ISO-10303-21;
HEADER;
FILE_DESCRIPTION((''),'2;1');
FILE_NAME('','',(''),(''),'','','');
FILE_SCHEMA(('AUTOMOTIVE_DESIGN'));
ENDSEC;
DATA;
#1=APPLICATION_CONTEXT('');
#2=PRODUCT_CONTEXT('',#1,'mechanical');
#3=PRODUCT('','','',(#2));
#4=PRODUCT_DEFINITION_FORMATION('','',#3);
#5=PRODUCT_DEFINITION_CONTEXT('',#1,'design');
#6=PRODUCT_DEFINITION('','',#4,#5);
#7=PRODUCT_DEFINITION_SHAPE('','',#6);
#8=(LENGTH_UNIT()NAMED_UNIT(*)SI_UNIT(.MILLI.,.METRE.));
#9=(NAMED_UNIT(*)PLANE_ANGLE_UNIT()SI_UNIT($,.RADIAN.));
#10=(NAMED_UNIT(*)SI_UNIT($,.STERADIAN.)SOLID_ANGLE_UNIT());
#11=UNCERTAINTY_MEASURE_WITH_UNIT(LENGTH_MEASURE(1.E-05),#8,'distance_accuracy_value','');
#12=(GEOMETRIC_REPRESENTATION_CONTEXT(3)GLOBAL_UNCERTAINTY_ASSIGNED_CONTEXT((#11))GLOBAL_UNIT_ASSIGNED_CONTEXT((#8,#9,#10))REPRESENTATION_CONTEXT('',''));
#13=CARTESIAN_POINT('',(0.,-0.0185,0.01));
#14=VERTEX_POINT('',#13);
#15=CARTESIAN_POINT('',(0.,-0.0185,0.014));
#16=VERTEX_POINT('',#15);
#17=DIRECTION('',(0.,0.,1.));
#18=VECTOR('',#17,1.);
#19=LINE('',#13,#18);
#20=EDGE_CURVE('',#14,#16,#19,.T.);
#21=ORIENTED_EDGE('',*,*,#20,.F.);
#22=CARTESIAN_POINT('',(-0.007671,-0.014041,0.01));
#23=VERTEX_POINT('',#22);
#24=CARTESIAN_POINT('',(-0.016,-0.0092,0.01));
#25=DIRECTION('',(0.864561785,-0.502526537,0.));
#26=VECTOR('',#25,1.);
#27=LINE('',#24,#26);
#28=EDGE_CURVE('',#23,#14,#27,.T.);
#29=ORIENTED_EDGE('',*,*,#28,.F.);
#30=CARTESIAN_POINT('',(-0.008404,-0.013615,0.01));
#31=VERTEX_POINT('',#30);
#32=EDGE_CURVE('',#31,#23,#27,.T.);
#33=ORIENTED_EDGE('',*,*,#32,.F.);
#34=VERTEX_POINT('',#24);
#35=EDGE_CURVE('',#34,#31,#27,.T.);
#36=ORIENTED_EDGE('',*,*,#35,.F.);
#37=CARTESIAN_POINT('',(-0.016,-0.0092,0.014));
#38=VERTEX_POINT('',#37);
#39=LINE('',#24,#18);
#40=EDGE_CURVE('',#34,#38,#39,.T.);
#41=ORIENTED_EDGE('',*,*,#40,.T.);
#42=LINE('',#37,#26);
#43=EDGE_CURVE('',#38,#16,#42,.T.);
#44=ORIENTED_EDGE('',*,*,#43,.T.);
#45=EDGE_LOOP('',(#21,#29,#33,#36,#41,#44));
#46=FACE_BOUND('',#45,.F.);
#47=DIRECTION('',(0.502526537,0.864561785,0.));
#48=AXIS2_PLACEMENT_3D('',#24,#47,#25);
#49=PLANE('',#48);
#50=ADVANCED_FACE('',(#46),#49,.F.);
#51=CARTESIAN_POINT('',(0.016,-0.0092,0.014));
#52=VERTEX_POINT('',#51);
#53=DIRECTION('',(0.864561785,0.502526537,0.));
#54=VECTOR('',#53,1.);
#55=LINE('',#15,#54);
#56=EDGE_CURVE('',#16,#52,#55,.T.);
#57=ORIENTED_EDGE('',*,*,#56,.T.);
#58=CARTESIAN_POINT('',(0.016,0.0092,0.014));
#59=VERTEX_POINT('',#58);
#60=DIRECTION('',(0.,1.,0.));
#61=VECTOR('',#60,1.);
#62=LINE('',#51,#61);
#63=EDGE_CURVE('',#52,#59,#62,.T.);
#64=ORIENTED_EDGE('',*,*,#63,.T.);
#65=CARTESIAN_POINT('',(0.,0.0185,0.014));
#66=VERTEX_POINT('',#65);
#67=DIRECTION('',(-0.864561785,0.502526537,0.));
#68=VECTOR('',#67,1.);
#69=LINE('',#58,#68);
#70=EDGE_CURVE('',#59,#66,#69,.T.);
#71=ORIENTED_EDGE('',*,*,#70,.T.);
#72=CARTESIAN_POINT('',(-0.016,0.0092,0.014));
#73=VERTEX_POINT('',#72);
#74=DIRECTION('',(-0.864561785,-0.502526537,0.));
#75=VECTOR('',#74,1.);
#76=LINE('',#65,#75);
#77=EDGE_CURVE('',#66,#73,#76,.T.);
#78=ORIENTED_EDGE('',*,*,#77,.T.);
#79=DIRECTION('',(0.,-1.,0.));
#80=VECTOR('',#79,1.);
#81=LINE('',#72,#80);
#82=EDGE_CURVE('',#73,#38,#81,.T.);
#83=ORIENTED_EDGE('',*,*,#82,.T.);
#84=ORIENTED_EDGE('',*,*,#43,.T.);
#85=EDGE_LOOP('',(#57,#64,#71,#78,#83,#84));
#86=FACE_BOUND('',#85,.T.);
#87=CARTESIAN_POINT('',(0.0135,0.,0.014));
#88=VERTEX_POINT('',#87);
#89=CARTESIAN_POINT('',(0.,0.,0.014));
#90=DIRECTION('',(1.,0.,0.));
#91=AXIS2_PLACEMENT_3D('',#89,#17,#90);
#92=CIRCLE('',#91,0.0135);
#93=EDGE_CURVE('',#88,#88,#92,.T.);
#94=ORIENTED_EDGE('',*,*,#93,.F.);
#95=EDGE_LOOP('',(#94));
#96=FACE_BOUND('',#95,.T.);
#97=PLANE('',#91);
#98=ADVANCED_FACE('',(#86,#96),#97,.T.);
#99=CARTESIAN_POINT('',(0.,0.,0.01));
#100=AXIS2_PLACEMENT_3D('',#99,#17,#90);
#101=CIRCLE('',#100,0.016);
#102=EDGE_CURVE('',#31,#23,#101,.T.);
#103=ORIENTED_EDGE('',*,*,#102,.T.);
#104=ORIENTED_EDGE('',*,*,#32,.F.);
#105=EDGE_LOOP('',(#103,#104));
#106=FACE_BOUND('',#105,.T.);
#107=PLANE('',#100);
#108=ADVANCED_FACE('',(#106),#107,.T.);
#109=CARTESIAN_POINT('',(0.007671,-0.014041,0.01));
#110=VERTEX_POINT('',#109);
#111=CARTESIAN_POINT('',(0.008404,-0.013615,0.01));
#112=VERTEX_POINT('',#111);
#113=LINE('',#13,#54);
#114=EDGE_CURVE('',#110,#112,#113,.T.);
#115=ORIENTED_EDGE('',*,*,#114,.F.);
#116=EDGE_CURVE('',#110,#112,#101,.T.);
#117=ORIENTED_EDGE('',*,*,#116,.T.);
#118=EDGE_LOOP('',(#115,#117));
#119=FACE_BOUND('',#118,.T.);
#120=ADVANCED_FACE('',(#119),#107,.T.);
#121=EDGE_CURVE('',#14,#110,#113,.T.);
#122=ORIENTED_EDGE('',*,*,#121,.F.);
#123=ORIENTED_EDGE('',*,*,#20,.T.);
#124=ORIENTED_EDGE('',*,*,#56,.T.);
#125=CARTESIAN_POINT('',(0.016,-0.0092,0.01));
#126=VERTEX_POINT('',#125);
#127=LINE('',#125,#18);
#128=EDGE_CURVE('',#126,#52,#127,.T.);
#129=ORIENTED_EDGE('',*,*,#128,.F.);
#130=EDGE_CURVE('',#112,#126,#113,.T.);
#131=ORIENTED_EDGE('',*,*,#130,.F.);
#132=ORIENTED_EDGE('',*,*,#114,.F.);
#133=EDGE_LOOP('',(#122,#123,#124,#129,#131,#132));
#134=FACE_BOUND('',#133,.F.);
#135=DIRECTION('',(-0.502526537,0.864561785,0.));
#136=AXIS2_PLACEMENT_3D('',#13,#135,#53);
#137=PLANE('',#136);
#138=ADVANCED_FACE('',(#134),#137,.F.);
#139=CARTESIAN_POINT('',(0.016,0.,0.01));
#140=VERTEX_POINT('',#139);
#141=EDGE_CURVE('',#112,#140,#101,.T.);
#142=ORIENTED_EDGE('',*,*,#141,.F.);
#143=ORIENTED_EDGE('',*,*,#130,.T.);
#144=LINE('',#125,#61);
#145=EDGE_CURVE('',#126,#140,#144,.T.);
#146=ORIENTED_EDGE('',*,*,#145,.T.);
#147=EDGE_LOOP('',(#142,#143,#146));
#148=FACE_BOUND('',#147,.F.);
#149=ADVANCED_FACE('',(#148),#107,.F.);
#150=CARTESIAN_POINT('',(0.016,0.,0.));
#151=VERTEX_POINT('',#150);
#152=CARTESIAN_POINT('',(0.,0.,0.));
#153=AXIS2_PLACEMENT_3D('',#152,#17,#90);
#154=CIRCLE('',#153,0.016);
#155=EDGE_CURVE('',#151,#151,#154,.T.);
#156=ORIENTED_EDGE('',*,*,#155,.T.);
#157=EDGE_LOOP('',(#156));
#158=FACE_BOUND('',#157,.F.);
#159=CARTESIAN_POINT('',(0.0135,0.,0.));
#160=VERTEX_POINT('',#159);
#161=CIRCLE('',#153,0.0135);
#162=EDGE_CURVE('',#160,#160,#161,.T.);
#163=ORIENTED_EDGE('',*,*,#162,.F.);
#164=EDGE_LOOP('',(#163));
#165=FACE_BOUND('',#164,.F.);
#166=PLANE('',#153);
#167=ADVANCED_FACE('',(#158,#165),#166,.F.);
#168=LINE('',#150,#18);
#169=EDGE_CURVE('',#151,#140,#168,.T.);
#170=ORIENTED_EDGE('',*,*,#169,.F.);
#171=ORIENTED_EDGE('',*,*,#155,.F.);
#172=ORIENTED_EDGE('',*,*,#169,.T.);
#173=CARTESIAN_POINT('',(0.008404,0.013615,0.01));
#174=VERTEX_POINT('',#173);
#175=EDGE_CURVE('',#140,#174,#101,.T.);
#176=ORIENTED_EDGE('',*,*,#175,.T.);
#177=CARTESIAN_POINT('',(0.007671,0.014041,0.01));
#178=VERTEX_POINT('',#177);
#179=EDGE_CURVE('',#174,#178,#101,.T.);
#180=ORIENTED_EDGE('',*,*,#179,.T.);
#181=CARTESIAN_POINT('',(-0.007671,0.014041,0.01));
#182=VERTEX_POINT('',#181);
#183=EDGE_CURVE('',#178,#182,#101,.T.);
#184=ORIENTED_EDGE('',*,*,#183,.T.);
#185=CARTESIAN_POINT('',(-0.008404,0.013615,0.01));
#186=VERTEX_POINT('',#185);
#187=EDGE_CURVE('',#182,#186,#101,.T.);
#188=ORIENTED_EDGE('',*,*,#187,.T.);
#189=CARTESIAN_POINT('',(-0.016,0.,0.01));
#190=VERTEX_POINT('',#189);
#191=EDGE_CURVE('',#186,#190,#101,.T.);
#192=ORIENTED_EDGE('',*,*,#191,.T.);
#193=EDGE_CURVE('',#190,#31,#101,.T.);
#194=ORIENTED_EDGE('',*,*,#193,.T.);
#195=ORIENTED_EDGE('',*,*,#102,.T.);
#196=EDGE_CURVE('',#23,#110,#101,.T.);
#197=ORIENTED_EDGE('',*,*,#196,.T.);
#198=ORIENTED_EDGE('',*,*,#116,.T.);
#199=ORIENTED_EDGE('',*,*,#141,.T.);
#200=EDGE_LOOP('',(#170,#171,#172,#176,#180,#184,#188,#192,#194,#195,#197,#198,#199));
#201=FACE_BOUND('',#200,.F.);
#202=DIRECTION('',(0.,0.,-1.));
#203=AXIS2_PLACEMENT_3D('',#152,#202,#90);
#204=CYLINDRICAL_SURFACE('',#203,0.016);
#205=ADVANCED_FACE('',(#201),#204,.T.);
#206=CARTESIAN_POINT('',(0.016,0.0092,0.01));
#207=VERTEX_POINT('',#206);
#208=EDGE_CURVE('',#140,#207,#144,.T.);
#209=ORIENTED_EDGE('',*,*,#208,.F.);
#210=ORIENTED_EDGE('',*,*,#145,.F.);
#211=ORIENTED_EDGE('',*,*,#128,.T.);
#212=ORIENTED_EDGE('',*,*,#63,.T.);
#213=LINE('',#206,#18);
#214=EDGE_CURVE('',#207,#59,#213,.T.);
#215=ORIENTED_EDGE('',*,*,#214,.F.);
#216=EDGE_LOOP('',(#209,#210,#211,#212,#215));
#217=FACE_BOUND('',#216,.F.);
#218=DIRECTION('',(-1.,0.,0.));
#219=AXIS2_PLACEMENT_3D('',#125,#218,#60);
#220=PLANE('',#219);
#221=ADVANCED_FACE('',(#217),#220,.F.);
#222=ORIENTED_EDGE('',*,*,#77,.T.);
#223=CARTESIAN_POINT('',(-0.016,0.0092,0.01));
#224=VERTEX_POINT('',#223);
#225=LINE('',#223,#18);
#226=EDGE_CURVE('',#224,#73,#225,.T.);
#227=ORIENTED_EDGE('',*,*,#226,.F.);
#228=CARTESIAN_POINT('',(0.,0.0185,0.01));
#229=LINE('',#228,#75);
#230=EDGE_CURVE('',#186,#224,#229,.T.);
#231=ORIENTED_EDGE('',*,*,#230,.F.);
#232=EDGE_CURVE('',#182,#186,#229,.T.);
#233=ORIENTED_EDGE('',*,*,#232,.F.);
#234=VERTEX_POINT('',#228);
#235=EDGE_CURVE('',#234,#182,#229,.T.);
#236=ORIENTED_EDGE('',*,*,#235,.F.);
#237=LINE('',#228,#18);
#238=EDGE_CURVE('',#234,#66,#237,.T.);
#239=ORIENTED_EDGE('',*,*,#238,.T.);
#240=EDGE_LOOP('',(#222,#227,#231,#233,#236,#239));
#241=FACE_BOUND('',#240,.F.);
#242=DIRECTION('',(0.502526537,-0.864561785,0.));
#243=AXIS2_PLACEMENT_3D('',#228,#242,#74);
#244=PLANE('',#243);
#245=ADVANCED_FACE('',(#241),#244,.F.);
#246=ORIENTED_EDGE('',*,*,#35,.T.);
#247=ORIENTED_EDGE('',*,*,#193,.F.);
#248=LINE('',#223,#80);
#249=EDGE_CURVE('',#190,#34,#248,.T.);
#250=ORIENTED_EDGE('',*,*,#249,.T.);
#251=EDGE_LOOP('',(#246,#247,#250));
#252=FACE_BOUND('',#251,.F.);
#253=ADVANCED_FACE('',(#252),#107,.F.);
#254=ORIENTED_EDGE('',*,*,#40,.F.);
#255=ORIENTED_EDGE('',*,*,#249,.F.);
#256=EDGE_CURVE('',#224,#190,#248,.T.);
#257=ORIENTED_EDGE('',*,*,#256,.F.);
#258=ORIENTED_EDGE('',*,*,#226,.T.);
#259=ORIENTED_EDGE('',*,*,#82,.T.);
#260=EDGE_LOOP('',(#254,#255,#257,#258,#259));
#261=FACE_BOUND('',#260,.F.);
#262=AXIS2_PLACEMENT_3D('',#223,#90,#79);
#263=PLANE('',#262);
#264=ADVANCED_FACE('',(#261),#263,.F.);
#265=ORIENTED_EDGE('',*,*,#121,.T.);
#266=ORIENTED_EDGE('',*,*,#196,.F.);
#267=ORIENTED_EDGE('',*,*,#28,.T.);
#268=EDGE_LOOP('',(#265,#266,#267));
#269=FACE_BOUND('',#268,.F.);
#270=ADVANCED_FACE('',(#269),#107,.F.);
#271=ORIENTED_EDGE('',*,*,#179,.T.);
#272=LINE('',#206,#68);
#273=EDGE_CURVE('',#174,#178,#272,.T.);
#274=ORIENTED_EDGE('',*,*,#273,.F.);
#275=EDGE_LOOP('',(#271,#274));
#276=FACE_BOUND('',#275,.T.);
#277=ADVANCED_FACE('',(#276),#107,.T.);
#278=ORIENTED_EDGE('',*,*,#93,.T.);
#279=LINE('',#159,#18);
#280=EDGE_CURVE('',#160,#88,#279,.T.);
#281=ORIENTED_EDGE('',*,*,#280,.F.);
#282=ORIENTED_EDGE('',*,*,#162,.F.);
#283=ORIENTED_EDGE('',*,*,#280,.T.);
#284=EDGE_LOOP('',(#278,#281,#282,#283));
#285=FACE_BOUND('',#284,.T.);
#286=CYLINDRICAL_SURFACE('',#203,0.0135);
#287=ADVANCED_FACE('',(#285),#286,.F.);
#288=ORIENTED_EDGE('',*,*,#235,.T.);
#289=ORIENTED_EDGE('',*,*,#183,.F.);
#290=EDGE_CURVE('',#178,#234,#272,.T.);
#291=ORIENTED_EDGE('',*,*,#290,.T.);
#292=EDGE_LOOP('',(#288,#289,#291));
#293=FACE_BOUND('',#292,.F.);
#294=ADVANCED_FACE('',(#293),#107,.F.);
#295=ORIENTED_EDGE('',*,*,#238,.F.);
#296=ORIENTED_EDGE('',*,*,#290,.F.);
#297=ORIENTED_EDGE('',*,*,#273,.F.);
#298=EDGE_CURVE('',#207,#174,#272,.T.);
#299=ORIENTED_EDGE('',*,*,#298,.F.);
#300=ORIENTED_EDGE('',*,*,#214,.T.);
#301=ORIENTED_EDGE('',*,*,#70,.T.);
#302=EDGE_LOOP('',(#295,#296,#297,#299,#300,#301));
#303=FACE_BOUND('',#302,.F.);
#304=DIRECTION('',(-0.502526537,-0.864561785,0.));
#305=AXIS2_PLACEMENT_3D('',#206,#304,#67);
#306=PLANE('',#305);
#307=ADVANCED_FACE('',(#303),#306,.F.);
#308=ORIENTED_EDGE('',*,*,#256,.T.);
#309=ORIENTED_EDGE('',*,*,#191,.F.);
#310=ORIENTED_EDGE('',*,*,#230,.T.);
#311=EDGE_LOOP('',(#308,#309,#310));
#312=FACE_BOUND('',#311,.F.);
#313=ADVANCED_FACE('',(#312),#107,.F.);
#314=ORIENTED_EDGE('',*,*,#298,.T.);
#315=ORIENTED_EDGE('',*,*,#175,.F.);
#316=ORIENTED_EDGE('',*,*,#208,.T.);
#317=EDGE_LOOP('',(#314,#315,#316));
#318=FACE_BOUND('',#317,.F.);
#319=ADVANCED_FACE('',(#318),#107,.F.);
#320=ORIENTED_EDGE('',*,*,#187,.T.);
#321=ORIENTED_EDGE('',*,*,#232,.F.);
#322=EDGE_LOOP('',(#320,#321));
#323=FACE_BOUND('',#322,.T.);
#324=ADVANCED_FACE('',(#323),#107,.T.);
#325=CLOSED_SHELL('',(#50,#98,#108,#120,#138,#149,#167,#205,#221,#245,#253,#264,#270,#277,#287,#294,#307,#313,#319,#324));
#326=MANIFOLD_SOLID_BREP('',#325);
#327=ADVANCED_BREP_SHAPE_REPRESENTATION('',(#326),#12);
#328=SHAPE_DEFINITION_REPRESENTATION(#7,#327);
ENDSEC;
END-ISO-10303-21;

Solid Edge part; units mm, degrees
sketch "Sketch1" plane through (0, 0, 0) normal (0, 0, 1) x (1, 0, 0)
  circle A0 centre (0, 0) radius 0.0135
  circle A1 centre (0, 0) radius 0.016
extrude "Protrusion1" add sketch "Sketch1" along normal blind 0.01
sketch "Sketch2" plane through (0, 0, 0.01) normal (0, 0, 1) x (1, 0, 0)
  circle A0 centre (0, 0) radius 0.0135
  line L0 (0, 0.0185) -> (-0.016, 0.0092)
  line L1 (-0.016, 0.0092) -> (-0.016, -0.0092)
  line L2 (-0.016, -0.0092) -> (0, -0.0185)
  line L3 (0, -0.0185) -> (0.016, -0.0092)
  line L4 (0.016, -0.0092) -> (0.016, 0.0092)
  line L5 (0.016, 0.0092) -> (0, 0.0185)
extrude "Ausprägung_2" add sketch "Sketch2" along normal blind 0.004
